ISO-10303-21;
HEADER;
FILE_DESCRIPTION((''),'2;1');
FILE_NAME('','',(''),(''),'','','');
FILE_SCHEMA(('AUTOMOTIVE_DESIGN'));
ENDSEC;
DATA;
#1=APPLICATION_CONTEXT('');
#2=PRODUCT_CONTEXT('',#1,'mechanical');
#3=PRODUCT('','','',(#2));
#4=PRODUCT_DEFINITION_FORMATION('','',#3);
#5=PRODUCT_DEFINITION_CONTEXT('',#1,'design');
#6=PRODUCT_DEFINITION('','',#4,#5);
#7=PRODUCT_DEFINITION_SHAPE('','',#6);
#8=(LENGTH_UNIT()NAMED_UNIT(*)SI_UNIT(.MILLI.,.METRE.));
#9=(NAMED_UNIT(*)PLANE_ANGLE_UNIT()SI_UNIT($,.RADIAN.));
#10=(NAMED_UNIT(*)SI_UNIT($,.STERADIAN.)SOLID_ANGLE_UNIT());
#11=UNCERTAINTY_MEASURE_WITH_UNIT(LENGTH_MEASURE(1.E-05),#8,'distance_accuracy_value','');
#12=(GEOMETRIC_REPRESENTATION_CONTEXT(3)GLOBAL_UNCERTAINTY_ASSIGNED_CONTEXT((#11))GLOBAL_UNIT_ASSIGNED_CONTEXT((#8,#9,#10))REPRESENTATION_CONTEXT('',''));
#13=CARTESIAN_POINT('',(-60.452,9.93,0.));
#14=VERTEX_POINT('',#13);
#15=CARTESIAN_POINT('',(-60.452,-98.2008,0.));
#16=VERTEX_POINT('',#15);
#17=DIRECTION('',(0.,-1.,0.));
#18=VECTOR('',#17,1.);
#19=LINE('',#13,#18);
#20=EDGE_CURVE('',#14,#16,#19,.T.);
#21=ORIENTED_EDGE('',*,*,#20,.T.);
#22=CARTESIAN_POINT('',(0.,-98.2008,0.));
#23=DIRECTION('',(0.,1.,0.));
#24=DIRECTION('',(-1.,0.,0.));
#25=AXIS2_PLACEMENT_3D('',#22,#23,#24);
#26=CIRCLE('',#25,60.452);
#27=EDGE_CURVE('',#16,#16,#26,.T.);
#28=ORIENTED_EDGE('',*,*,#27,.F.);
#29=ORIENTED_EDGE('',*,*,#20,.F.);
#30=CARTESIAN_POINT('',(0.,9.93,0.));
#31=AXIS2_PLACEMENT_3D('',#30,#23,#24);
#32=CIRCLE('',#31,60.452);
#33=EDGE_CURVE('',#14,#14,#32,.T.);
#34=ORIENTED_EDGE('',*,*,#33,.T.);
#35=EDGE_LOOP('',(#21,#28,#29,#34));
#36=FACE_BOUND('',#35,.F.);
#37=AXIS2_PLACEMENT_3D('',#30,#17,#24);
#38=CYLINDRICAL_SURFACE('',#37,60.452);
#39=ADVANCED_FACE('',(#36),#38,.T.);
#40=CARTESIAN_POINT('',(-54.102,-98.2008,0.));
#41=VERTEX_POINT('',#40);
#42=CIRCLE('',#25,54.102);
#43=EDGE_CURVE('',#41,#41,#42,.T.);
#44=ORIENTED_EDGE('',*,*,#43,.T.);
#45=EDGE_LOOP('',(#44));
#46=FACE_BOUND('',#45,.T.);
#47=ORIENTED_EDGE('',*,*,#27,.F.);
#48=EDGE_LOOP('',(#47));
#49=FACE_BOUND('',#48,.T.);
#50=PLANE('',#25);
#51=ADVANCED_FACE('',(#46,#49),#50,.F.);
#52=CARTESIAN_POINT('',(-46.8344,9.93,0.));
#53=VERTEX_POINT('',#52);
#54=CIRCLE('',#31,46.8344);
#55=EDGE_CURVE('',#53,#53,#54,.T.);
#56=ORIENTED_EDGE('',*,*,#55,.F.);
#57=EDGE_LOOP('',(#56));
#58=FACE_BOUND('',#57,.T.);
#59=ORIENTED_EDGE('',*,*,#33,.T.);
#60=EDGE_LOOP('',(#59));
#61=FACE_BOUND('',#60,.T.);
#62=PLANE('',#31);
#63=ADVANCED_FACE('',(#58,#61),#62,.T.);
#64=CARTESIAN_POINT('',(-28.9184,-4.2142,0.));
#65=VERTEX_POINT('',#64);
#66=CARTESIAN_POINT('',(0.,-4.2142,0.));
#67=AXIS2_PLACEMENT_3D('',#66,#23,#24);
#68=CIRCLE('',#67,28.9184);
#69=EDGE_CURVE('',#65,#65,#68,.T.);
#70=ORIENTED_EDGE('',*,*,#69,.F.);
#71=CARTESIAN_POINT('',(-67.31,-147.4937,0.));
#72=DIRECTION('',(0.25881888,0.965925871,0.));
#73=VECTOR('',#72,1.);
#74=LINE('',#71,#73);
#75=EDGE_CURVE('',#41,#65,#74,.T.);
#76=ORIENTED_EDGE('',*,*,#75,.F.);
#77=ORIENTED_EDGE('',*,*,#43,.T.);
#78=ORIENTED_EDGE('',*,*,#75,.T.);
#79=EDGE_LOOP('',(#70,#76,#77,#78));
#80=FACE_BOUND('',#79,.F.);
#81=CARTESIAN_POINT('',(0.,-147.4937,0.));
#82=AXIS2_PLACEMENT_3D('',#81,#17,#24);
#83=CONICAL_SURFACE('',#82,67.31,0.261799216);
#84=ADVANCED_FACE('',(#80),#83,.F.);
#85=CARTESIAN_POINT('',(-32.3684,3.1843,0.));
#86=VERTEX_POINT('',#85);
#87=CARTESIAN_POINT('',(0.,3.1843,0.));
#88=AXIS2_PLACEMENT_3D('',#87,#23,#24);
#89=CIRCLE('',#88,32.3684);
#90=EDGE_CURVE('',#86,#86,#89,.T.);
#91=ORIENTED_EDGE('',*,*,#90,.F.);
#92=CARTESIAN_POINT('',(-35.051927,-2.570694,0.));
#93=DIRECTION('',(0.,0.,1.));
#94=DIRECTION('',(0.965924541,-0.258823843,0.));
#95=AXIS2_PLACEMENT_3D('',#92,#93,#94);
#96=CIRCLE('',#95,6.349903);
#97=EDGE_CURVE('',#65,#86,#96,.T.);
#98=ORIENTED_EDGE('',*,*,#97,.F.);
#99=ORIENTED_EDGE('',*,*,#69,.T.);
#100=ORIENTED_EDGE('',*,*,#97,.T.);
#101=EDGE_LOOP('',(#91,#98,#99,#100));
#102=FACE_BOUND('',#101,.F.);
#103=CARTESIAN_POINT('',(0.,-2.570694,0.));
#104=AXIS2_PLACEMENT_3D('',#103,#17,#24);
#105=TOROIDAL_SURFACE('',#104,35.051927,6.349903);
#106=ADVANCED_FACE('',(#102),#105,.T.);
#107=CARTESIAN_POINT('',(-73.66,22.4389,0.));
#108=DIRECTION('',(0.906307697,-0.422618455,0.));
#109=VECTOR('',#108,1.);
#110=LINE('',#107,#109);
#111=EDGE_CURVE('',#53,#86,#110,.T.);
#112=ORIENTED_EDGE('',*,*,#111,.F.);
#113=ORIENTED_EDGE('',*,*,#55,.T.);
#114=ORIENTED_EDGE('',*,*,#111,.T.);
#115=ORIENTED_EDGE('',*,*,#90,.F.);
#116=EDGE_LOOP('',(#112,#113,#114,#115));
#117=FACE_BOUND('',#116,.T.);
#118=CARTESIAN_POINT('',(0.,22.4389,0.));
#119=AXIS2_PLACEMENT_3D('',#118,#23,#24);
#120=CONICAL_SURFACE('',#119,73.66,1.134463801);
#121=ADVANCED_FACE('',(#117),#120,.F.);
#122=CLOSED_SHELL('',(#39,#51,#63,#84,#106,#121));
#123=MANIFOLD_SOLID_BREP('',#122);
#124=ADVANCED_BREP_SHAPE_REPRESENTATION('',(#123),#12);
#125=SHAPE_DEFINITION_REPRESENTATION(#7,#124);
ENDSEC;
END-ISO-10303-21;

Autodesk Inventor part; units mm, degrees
ref_plane "YZ Plane" through (0, 0, 0) normal (1, 0, 0) x (0, 1, 0)
ref_plane "XZ Plane" through (0, 0, 0) normal (0, 1, 0) x (-1, 0, 0)
ref_plane "XY Plane" through (0, 0, 0) normal (0, 0, 1) x (1, 0, 0)
sketch "Sketch1" plane through (0, 0, 0) normal (0, 0, 1) x (1, 0, 0)
  line L0 (0, 25.4) -> (-28.702, 25.4) construction
  line L1 (0, 25.4) -> (-86.36, 25.4) construction
  line L2 (-86.36, 25.4) -> (-80.01, 25.4) construction
  line L3 (-80.01, 25.4) -> (-73.66, 22.4389) construction
  line L4 (-80.01, 25.4) -> (-80.01, 22.4389) construction
  line L5 (-80.01, 0) -> (-86.36, 0)
  line L6 (-28.702, 59.6457) -> (-28.702, -91.9304) construction
  arc A0 (-28.9184, -4.2142) -> (-32.3684, 3.1843) centre (-35.052, -2.5707) ccw
  line L7 (-67.31, -147.4937) -> (-28.9184, -4.2142)
  line L8 (-80.01, 22.4389) -> (-73.66, 22.4389)
  line L9 (-80.01, 22.4389) -> (-80.01, 0)
  line L10 (-73.66, 22.4389) -> (-32.3684, 3.1843)
  line L11 (-28.702, -2.5707) -> (-60.452, -2.5707) construction
  line L12 (-60.452, 16.28) -> (-60.452, -121.8993) construction
  line L13 (-60.452, -121.8993) -> (-54.102, -121.8993) construction
  line L14 (-54.102, -121.8993) -> (-54.102, -98.2008) construction
  line L15 (-54.102, -98.2008) -> (-60.452, -98.2008)
  line L16 (-60.452, 16.28) -> (-60.452, 6.755) construction
  line L17 (-60.452, 16.28) -> (-60.452, 9.93) construction
  line L18 (-60.452, 9.93) -> (-46.8344, 9.93)
  line L19 (-60.452, 9.93) -> (-60.452, -98.2008)
  line L20 (-86.36, 0) -> (-86.36, -12.7) construction
  line L21 (-60.452, -12.7) -> (-73.152, -12.7) construction
  line L22 (-86.36, -12.7) -> (-86.36, -25.4) construction
  line L23 (-86.36, -25.4) -> (-86.36, -88.9) construction
  line L24 (-86.36, -88.9) -> (-73.66, -88.9) construction
  line L25 (-73.66, -88.9) -> (-73.66, -25.4) construction
  line L26 (-86.36, -25.4) -> (-73.66, -25.4)
  line L27 (-73.66, -25.4) -> (-73.66, -88.9)
  line L28 (-73.66, -88.9) -> (-86.36, -88.9)
  line L29 (-86.36, -12.7) -> (-73.152, -12.7)
  line L30 (-73.152, -133.7486) -> (-63.627, -133.7486)
  line L31 (-73.66, -88.9) -> (-73.66, -147.4937)
  line L32 (-73.66, -147.4937) -> (-67.31, -147.4937)
  line L33 (-73.152, -12.7) -> (-73.152, -133.7486)
  line L34 (-80.01, -25.4) -> (-80.01, -31.3436)
  line L35 (-80.01, -31.3436) -> (-86.36, -31.3436)
  line L36 (-86.36, 0) -> (-86.36, -25.4)
  line L37 (-86.36, -31.3436) -> (-86.36, -88.9)
  line L38 (0, -319.0244) -> (0, 122.7573) projected
  point P0 (0, 0)
  point P1 (-86.36, -255.9127)
  point P2 (-76.835, 22.4389)
  dimension "d0" = 28.702
  dimension "d1" = 86.36
  dimension "d2" = 6.35
  dimension "d3" = 25
  dimension "d5" = 25.4
  dimension "d6" = 25.4
  dimension "d8" = 12.7
  dimension "d11" = 6.35
  dimension "d12" = 31.75
  dimension "d13" = 6.35
  dimension "d15" = 6.35
  dimension "d16" = 12.7
  dimension "d17" = 12.7
  dimension "d18" = 12.7
  dimension "d19" = 63.5
  dimension "d20" = 12.7
  dimension "d22" = 9.525
  dimension "d23" = 6.35
  dimension "d25" = 5.9436
  dimension "d26" = 15
revolve "Revolution1" add sketch "Sketch1" angle 360 about axis through (0, -10, 0) along (0, 1, 0) contours L10 A0 L7 L15 L19 L18
properties part number "Graphite Master Sketch"
